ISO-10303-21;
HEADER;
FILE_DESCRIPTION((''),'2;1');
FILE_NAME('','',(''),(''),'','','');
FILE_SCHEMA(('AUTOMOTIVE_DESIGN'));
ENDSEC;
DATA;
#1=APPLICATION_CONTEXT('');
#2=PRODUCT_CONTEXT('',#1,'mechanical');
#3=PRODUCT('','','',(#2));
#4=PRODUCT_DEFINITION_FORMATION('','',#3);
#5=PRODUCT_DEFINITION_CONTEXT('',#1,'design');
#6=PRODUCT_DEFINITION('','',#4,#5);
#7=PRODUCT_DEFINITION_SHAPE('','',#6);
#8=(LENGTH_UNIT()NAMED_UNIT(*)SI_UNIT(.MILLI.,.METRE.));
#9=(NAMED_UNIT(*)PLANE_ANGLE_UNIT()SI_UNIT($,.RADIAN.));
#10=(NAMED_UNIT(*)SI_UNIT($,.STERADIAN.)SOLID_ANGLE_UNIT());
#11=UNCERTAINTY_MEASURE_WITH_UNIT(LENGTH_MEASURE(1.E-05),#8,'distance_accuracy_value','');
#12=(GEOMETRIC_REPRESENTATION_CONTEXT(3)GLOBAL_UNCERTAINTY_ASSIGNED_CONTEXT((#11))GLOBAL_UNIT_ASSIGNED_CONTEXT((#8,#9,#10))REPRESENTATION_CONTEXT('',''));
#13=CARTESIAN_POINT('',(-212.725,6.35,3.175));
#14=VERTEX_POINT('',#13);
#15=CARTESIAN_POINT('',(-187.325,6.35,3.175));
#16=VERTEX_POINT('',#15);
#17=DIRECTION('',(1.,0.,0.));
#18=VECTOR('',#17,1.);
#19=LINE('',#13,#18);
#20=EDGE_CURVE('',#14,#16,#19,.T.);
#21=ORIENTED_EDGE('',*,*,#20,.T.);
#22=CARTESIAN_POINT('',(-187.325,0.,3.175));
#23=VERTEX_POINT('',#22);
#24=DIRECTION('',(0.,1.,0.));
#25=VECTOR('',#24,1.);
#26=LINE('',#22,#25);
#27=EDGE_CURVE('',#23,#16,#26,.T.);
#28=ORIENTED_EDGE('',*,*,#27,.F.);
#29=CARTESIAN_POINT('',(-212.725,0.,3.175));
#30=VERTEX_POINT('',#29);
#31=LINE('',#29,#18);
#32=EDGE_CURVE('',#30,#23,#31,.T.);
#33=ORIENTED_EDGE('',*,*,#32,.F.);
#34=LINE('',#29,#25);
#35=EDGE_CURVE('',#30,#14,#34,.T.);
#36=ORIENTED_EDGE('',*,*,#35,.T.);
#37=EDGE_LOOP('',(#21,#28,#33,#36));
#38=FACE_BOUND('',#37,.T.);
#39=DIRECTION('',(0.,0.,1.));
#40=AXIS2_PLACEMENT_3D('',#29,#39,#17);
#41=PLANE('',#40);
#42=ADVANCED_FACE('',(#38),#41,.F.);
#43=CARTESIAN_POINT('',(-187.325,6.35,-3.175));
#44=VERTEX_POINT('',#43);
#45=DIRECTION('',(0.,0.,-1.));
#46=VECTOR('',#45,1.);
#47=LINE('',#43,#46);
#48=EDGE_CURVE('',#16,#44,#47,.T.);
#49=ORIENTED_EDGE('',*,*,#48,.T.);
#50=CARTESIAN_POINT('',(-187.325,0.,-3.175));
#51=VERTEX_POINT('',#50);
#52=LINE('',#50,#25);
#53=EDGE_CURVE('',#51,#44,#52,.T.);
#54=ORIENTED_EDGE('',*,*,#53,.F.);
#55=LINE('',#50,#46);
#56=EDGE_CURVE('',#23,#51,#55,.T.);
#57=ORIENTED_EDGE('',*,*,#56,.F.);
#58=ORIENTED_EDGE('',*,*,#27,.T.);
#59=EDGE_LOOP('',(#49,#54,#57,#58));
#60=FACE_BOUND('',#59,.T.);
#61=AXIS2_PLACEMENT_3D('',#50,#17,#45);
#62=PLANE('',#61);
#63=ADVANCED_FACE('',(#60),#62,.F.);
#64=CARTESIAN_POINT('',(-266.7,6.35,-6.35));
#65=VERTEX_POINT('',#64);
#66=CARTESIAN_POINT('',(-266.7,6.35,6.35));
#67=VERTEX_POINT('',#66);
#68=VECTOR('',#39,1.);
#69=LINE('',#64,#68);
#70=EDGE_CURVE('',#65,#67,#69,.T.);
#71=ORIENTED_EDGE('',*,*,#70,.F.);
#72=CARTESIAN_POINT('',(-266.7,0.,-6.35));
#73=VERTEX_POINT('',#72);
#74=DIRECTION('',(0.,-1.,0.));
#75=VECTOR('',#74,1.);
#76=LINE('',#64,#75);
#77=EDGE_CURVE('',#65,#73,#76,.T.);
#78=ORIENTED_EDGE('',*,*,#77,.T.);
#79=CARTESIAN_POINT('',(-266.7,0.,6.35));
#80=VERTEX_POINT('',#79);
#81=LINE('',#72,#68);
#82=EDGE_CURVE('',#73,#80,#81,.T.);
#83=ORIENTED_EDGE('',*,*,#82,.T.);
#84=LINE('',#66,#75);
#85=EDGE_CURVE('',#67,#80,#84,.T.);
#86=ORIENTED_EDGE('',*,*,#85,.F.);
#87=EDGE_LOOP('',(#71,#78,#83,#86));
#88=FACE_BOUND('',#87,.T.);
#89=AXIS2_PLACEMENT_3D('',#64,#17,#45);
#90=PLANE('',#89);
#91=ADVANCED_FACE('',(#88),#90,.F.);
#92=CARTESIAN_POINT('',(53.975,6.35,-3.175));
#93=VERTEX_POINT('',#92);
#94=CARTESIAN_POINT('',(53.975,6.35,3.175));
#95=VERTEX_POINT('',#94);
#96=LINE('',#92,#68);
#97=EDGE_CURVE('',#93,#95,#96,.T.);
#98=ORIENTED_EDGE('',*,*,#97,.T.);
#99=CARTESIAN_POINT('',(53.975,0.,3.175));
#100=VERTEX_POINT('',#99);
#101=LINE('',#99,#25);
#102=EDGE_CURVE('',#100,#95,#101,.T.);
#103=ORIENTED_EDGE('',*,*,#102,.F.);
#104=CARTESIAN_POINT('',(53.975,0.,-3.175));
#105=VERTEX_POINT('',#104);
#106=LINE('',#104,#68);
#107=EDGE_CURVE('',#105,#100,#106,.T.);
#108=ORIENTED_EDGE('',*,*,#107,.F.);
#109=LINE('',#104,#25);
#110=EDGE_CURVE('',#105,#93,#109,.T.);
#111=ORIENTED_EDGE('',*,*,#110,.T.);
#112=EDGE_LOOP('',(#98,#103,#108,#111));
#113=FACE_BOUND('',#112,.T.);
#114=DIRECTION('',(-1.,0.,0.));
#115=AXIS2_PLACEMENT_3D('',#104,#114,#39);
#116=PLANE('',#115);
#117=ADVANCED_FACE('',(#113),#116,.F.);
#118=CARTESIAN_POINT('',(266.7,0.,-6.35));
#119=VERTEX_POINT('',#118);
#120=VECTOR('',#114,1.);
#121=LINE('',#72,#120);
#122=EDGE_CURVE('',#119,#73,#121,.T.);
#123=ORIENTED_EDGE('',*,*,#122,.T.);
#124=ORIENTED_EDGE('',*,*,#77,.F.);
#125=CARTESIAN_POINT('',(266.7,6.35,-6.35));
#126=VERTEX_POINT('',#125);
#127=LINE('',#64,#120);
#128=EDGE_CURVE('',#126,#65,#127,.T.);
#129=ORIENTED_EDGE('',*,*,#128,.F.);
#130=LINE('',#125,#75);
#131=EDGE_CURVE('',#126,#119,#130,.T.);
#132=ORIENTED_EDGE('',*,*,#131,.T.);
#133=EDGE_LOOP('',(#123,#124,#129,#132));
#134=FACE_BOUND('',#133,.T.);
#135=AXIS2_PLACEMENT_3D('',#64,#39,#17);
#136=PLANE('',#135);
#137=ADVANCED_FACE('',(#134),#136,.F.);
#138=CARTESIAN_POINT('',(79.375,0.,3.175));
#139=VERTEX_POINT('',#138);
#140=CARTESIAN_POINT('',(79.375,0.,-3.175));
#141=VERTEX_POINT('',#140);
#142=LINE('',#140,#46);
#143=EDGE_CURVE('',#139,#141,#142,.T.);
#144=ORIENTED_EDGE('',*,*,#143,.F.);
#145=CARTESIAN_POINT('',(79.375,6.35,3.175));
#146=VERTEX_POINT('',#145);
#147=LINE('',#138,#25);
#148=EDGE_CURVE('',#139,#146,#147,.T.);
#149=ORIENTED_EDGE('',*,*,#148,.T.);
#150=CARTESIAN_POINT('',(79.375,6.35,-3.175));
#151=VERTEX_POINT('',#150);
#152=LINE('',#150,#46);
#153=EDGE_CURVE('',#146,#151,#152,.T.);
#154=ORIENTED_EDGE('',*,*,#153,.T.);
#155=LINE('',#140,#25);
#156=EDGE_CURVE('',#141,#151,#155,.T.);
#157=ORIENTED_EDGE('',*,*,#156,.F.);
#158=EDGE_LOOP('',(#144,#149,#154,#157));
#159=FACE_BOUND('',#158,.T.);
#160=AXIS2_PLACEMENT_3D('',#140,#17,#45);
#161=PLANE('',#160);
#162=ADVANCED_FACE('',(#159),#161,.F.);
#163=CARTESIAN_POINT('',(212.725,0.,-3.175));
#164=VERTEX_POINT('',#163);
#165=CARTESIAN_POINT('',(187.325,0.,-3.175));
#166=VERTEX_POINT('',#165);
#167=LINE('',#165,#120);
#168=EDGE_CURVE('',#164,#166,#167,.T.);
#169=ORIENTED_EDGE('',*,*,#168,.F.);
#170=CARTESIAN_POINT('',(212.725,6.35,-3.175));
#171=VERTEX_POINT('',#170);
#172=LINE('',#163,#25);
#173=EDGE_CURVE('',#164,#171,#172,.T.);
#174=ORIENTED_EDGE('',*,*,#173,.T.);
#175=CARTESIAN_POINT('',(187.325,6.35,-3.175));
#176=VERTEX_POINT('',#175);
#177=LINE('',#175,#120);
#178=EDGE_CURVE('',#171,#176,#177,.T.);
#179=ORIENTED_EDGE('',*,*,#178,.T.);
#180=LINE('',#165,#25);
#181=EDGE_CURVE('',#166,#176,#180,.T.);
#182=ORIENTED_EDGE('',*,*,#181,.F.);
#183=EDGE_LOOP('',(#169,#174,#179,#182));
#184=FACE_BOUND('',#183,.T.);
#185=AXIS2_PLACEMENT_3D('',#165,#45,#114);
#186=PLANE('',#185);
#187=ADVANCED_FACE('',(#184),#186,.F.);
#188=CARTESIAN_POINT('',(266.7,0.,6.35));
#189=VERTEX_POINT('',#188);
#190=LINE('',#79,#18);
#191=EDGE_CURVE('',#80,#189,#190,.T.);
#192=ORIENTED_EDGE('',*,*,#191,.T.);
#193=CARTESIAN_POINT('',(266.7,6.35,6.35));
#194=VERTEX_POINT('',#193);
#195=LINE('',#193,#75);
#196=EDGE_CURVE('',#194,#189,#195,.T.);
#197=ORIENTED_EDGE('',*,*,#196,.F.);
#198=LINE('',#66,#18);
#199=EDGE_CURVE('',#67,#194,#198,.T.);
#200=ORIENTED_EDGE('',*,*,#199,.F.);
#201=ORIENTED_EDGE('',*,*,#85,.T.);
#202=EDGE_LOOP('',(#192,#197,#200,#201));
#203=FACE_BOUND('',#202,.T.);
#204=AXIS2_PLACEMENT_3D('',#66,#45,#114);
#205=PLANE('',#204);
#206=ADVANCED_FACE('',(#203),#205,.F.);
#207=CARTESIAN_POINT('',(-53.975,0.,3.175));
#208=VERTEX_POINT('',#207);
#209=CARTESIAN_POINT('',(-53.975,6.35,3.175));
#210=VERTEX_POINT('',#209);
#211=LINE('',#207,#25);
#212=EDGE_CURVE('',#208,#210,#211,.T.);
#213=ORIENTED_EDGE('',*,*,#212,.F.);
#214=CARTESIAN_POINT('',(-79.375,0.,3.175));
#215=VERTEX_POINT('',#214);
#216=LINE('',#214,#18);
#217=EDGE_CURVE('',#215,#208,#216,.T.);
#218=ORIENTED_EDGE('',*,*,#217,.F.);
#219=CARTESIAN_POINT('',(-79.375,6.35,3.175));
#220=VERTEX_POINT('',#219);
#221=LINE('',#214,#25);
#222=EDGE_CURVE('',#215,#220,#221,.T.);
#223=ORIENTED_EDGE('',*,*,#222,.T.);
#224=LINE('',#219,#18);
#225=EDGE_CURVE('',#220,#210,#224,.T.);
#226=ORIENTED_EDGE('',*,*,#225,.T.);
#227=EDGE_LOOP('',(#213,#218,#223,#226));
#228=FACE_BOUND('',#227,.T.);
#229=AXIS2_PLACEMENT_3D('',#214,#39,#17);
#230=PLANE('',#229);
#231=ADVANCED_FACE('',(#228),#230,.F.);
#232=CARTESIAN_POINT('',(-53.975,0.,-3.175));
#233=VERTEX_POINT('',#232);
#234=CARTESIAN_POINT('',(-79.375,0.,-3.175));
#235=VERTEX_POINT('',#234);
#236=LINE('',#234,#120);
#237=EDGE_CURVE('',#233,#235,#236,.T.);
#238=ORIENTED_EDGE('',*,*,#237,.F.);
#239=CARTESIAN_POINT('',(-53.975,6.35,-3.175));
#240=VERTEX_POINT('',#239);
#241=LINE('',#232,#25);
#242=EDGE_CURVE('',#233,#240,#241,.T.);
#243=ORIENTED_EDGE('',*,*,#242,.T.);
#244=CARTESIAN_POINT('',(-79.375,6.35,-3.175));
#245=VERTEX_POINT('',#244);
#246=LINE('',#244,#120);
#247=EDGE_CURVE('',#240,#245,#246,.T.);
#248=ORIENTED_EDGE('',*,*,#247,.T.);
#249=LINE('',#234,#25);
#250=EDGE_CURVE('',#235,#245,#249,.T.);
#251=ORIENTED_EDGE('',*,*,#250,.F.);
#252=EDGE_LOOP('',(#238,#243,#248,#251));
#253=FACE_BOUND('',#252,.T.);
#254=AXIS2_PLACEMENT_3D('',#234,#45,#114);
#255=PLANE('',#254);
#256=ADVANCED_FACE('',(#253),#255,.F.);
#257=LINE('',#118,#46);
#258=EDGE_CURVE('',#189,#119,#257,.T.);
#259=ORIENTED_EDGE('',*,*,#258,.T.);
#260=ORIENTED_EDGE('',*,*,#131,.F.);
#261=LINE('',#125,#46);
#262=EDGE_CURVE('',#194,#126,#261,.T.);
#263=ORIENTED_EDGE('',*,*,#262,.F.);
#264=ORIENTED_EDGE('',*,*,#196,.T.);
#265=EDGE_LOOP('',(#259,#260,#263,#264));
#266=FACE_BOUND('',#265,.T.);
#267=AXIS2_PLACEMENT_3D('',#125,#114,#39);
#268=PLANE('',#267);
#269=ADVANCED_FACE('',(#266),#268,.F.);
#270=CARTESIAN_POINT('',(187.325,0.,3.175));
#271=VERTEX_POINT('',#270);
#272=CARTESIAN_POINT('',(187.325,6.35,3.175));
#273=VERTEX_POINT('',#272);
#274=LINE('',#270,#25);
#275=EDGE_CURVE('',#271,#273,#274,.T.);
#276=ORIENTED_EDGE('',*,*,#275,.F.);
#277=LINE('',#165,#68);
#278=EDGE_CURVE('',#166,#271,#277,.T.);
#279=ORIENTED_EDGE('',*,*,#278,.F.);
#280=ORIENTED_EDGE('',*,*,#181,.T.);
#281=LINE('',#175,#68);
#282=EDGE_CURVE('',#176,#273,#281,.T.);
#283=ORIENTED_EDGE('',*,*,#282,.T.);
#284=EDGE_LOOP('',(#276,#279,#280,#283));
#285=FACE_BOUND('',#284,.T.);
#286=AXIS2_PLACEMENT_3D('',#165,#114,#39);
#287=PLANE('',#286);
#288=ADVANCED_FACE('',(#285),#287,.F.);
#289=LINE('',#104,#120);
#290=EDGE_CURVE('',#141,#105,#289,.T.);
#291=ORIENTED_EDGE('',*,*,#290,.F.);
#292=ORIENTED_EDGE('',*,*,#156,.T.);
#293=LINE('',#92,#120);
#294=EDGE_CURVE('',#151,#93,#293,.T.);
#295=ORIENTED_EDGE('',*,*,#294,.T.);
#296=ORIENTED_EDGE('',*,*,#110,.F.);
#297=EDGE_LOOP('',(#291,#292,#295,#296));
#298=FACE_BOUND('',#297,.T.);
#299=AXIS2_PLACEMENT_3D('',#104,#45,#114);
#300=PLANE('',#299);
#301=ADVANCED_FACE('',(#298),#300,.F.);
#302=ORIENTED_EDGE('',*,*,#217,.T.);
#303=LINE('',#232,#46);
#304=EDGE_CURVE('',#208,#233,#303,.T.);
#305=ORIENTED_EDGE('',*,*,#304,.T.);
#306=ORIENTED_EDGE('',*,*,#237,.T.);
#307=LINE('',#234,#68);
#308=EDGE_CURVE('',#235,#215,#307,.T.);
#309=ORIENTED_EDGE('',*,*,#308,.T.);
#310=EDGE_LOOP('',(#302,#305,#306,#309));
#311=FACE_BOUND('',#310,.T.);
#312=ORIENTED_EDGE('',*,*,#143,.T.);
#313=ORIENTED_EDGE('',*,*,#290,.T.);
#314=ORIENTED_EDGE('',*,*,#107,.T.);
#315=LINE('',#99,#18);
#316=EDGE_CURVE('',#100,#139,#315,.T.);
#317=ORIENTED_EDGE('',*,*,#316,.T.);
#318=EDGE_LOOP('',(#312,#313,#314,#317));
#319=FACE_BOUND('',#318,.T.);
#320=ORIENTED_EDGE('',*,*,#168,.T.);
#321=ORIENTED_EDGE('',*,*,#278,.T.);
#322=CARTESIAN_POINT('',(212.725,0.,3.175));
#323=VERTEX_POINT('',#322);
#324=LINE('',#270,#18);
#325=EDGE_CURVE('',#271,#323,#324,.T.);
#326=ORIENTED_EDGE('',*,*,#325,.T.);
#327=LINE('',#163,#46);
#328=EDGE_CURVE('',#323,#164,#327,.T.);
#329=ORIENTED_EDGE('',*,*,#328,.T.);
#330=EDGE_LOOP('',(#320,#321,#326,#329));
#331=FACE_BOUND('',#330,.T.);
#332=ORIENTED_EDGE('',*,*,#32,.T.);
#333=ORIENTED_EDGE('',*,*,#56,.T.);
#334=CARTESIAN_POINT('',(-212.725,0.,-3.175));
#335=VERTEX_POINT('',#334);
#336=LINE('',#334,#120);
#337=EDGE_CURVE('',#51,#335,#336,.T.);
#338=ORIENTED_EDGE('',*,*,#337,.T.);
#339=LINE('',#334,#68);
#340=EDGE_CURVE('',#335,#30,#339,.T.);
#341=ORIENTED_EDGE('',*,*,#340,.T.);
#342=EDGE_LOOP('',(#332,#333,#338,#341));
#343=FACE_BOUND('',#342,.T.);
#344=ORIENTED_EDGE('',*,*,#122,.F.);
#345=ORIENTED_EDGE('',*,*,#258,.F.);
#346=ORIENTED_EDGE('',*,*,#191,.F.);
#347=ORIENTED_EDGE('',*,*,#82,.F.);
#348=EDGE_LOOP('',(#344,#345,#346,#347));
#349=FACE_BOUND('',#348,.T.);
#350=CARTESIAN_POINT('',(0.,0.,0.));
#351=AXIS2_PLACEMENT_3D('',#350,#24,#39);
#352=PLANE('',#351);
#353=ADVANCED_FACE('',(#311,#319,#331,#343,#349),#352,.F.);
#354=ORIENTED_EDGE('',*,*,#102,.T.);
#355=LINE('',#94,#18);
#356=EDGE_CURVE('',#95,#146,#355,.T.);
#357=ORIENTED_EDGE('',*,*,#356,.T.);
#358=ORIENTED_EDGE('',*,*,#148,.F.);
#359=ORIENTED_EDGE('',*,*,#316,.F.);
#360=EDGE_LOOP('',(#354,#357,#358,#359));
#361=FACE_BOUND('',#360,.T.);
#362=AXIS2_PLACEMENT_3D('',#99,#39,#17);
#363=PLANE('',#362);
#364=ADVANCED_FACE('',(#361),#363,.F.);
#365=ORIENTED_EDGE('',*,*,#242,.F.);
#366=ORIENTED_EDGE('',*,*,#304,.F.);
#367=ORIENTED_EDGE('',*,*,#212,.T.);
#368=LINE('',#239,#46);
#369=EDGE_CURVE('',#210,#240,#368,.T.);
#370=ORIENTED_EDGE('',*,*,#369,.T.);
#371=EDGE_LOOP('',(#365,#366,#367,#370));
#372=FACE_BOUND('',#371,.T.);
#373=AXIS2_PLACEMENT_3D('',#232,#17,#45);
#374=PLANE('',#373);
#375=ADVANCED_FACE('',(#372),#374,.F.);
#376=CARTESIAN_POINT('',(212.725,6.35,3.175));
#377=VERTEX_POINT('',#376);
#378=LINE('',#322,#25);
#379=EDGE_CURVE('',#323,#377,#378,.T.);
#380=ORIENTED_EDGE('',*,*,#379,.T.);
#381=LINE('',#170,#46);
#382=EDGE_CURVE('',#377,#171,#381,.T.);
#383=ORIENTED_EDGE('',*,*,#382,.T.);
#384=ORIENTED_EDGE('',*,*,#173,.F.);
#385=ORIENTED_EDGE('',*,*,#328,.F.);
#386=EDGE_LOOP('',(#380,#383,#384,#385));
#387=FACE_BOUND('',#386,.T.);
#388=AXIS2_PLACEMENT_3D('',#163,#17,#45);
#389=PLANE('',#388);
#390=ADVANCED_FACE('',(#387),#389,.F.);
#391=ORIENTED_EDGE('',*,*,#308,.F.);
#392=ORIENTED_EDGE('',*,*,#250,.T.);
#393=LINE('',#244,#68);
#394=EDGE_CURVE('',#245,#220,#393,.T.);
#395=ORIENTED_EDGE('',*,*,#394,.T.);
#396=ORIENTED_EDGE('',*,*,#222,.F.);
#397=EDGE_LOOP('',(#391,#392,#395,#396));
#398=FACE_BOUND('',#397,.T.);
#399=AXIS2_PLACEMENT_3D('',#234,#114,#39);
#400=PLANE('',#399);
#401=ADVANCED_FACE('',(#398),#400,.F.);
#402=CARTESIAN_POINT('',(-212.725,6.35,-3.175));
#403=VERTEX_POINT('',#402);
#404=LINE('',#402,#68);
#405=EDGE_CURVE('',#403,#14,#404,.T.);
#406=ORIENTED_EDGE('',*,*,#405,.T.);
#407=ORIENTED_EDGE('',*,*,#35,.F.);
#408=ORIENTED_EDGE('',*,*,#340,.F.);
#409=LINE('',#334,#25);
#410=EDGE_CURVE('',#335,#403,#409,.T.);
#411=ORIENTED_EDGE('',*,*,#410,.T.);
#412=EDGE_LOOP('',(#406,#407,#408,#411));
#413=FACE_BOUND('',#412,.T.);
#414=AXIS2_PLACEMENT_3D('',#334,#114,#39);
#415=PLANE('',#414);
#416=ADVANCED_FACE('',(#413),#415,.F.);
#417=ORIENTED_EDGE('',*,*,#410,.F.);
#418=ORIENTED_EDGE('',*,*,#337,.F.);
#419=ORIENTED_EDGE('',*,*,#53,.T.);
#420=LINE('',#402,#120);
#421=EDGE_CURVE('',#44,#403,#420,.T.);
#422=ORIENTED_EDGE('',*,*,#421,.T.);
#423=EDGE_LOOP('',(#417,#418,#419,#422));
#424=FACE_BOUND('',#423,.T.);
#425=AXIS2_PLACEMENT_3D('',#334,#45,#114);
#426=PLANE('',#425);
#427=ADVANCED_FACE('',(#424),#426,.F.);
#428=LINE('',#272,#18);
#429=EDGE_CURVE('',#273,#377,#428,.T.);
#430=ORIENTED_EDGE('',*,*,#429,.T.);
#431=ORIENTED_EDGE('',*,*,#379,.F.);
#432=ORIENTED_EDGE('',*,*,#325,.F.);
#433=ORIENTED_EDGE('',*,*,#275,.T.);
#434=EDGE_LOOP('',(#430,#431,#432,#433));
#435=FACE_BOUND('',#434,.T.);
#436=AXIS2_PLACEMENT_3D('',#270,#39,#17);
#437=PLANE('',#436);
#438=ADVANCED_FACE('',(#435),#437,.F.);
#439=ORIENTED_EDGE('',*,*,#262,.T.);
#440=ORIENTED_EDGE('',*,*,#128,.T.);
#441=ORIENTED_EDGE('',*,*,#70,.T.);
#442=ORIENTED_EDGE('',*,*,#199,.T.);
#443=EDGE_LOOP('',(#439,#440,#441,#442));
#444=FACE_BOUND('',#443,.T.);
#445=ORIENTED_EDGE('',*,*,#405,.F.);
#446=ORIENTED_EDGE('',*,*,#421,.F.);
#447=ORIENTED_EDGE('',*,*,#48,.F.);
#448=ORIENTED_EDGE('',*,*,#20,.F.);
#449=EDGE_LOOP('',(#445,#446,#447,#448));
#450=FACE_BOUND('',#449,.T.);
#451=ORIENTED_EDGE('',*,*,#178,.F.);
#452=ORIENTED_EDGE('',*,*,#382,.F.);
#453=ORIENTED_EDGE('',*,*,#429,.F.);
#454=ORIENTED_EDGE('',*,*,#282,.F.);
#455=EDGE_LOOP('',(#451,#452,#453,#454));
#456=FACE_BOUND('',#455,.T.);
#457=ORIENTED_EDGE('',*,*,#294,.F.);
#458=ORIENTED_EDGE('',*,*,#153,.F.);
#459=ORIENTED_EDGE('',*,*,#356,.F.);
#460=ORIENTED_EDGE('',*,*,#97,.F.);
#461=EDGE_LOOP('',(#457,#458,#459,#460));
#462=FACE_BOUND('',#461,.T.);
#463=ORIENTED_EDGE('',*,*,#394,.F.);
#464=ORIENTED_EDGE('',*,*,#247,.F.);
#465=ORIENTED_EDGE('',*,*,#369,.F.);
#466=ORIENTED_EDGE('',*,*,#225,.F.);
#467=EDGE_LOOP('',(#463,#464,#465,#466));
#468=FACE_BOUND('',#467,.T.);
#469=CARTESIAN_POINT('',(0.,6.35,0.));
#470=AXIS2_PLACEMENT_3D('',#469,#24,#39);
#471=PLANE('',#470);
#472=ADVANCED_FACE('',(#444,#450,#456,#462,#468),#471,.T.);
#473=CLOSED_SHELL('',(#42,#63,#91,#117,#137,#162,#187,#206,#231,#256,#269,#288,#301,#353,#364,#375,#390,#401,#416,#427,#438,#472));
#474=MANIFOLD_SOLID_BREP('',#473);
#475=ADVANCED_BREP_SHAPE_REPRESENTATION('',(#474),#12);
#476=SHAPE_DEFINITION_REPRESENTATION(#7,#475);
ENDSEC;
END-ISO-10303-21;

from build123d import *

# Parameters (mm, degrees)
SKETCH1_W           = 533.4
SKETCH1_H           = 12.7
BOSS_EXTRUDE1_DEPTH = 6.35
SKETCH2_W           = 25.4
SKETCH2_H           = 6.35
CUT_EXTRUDE1_DEPTH  = 7.35
LPATTERN1_COUNT     = 4
LPATTERN1_PITCH     = 133.35


with BuildPart() as part:
    # Sketch1 → Boss-Extrude1 (new body)
    with BuildSketch(Plane(origin=(0, 0, 0), x_dir=(1, 0, 0), z_dir=(0, 1, 0))):
        Rectangle(SKETCH1_W, SKETCH1_H)
    extrude(amount=BOSS_EXTRUDE1_DEPTH)

    # Sketch2 → Cut-Extrude1 (cut, through all)
    with BuildSketch(Plane(origin=(0, 6.35, 0), x_dir=(1, 0, 0), z_dir=(0, 1, 0))):
        with Locations((-200.025, 0)):
            Rectangle(SKETCH2_W, SKETCH2_H)
    cut_extrude1 = extrude(amount=-CUT_EXTRUDE1_DEPTH, mode=Mode.SUBTRACT)

    # LPattern1: Cut-Extrude1 ×4
    with Locations(*[(i * LPATTERN1_PITCH, 0, 0) for i in range(1, LPATTERN1_COUNT)]):
        add(cut_extrude1, mode=Mode.SUBTRACT)


solid = part.part
